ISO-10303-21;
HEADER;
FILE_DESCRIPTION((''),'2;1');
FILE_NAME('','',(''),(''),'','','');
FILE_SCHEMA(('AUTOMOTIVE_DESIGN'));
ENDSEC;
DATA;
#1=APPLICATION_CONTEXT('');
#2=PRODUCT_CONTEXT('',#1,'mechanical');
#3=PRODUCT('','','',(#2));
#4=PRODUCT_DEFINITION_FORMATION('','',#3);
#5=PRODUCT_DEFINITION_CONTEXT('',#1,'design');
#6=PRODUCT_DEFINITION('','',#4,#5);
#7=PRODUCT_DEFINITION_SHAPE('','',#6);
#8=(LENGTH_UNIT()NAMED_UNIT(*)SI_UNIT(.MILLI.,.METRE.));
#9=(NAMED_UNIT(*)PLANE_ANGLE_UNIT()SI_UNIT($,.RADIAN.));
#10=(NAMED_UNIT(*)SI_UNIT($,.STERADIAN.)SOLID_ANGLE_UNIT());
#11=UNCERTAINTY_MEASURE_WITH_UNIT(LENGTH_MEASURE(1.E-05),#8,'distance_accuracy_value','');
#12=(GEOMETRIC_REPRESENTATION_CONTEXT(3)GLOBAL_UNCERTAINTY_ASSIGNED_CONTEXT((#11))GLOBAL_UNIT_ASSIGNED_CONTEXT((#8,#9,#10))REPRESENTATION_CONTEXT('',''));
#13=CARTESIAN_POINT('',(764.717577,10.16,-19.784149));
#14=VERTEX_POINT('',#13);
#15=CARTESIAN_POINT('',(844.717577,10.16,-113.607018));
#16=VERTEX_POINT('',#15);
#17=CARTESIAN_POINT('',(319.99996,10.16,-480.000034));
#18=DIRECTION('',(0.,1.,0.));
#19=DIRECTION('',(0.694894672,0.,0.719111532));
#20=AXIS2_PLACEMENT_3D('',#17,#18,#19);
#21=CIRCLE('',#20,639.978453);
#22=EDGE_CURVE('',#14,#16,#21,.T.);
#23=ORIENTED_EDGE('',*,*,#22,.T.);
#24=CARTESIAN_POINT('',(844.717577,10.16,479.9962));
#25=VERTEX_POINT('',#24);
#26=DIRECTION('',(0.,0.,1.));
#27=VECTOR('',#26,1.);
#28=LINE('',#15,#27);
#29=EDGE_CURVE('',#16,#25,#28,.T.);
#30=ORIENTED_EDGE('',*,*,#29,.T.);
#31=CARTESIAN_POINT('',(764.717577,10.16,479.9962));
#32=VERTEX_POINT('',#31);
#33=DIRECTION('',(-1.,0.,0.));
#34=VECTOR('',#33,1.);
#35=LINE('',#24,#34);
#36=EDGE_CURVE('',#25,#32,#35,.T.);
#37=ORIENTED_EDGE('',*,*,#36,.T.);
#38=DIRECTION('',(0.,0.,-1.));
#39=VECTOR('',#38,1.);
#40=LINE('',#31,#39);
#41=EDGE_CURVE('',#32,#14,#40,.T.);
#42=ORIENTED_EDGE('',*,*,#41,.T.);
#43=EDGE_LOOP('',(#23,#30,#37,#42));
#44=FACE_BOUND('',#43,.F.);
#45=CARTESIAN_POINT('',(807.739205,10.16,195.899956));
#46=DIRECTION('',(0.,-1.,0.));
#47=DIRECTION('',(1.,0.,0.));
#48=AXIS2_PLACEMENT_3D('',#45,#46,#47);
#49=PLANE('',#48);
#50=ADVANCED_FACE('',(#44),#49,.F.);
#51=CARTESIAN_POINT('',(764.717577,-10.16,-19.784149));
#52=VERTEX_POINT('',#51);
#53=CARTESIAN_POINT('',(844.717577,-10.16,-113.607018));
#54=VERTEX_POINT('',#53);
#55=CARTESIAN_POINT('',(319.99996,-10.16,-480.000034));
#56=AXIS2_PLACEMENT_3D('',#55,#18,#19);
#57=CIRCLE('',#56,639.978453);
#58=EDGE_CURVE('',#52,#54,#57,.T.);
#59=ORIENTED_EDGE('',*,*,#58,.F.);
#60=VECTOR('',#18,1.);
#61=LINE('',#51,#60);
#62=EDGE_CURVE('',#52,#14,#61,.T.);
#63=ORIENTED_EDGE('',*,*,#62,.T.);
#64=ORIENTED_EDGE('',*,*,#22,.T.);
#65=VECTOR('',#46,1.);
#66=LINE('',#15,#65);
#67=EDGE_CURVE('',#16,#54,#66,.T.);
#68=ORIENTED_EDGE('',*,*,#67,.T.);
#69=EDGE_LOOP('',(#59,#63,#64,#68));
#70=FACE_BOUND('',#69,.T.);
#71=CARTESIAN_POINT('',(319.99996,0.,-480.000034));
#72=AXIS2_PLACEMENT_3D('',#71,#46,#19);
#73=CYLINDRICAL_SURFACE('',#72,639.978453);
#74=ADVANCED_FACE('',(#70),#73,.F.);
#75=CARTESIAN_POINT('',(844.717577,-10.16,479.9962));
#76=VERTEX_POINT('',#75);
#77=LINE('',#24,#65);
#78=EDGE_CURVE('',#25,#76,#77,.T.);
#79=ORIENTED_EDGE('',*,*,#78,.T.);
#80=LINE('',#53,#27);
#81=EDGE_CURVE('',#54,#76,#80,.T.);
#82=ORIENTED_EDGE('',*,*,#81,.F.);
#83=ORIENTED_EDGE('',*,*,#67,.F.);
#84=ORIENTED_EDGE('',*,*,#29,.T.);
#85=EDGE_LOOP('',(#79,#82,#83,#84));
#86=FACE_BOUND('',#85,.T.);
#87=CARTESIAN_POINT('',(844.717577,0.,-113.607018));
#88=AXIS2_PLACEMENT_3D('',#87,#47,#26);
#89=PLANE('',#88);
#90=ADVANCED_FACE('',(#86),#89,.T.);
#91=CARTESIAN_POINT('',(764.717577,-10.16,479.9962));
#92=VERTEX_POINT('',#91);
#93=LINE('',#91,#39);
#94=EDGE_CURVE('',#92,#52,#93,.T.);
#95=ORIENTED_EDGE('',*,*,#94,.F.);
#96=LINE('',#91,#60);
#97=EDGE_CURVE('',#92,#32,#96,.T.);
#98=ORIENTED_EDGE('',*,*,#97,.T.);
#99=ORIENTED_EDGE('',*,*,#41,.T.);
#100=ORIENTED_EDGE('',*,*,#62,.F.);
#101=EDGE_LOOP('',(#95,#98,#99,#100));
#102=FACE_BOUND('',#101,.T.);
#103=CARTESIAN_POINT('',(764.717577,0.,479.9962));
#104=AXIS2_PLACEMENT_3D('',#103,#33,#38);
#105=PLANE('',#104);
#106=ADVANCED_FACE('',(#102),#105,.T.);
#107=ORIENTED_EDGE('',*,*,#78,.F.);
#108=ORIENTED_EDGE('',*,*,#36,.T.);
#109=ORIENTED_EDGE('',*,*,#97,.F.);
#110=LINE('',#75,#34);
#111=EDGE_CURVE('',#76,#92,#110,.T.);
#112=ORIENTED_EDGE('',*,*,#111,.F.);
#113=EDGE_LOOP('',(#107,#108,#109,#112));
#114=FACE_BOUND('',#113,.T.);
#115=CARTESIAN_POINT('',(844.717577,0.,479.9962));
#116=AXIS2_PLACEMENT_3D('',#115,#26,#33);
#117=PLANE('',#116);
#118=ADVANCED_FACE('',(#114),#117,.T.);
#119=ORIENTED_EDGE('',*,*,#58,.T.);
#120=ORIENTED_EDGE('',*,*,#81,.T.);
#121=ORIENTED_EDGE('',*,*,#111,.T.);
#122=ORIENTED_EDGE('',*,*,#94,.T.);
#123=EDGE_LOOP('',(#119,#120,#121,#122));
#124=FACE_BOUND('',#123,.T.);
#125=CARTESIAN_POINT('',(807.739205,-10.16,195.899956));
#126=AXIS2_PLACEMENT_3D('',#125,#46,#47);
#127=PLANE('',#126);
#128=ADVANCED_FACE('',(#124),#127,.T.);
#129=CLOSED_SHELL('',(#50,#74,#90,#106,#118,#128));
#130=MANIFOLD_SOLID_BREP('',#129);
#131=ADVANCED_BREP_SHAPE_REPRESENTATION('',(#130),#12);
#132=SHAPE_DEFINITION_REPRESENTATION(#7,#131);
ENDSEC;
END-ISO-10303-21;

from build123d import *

# Parameters (mm, degrees)
F1_DEPTH = 10.16


with BuildPart() as f1:
    # F0 (on Front) → F1 (new body, symmetric)
    with BuildSketch(Plane.XZ):
        with BuildLine():
            ThreePointArc((764.717577, -19.784149), (806.982353, -64.764476), (844.717577, -113.607018))
            Line((844.717577, -113.607018), (844.717577, 479.9962))
            Line((844.717577, 479.9962), (804.717577, 479.9962))
            Line((804.717577, 479.9962), (764.717577, 479.9962))
            Line((764.717577, 479.9962), (764.717577, -19.784149))
        make_face()
    extrude(amount=F1_DEPTH, both=True)


solid = f1.part
